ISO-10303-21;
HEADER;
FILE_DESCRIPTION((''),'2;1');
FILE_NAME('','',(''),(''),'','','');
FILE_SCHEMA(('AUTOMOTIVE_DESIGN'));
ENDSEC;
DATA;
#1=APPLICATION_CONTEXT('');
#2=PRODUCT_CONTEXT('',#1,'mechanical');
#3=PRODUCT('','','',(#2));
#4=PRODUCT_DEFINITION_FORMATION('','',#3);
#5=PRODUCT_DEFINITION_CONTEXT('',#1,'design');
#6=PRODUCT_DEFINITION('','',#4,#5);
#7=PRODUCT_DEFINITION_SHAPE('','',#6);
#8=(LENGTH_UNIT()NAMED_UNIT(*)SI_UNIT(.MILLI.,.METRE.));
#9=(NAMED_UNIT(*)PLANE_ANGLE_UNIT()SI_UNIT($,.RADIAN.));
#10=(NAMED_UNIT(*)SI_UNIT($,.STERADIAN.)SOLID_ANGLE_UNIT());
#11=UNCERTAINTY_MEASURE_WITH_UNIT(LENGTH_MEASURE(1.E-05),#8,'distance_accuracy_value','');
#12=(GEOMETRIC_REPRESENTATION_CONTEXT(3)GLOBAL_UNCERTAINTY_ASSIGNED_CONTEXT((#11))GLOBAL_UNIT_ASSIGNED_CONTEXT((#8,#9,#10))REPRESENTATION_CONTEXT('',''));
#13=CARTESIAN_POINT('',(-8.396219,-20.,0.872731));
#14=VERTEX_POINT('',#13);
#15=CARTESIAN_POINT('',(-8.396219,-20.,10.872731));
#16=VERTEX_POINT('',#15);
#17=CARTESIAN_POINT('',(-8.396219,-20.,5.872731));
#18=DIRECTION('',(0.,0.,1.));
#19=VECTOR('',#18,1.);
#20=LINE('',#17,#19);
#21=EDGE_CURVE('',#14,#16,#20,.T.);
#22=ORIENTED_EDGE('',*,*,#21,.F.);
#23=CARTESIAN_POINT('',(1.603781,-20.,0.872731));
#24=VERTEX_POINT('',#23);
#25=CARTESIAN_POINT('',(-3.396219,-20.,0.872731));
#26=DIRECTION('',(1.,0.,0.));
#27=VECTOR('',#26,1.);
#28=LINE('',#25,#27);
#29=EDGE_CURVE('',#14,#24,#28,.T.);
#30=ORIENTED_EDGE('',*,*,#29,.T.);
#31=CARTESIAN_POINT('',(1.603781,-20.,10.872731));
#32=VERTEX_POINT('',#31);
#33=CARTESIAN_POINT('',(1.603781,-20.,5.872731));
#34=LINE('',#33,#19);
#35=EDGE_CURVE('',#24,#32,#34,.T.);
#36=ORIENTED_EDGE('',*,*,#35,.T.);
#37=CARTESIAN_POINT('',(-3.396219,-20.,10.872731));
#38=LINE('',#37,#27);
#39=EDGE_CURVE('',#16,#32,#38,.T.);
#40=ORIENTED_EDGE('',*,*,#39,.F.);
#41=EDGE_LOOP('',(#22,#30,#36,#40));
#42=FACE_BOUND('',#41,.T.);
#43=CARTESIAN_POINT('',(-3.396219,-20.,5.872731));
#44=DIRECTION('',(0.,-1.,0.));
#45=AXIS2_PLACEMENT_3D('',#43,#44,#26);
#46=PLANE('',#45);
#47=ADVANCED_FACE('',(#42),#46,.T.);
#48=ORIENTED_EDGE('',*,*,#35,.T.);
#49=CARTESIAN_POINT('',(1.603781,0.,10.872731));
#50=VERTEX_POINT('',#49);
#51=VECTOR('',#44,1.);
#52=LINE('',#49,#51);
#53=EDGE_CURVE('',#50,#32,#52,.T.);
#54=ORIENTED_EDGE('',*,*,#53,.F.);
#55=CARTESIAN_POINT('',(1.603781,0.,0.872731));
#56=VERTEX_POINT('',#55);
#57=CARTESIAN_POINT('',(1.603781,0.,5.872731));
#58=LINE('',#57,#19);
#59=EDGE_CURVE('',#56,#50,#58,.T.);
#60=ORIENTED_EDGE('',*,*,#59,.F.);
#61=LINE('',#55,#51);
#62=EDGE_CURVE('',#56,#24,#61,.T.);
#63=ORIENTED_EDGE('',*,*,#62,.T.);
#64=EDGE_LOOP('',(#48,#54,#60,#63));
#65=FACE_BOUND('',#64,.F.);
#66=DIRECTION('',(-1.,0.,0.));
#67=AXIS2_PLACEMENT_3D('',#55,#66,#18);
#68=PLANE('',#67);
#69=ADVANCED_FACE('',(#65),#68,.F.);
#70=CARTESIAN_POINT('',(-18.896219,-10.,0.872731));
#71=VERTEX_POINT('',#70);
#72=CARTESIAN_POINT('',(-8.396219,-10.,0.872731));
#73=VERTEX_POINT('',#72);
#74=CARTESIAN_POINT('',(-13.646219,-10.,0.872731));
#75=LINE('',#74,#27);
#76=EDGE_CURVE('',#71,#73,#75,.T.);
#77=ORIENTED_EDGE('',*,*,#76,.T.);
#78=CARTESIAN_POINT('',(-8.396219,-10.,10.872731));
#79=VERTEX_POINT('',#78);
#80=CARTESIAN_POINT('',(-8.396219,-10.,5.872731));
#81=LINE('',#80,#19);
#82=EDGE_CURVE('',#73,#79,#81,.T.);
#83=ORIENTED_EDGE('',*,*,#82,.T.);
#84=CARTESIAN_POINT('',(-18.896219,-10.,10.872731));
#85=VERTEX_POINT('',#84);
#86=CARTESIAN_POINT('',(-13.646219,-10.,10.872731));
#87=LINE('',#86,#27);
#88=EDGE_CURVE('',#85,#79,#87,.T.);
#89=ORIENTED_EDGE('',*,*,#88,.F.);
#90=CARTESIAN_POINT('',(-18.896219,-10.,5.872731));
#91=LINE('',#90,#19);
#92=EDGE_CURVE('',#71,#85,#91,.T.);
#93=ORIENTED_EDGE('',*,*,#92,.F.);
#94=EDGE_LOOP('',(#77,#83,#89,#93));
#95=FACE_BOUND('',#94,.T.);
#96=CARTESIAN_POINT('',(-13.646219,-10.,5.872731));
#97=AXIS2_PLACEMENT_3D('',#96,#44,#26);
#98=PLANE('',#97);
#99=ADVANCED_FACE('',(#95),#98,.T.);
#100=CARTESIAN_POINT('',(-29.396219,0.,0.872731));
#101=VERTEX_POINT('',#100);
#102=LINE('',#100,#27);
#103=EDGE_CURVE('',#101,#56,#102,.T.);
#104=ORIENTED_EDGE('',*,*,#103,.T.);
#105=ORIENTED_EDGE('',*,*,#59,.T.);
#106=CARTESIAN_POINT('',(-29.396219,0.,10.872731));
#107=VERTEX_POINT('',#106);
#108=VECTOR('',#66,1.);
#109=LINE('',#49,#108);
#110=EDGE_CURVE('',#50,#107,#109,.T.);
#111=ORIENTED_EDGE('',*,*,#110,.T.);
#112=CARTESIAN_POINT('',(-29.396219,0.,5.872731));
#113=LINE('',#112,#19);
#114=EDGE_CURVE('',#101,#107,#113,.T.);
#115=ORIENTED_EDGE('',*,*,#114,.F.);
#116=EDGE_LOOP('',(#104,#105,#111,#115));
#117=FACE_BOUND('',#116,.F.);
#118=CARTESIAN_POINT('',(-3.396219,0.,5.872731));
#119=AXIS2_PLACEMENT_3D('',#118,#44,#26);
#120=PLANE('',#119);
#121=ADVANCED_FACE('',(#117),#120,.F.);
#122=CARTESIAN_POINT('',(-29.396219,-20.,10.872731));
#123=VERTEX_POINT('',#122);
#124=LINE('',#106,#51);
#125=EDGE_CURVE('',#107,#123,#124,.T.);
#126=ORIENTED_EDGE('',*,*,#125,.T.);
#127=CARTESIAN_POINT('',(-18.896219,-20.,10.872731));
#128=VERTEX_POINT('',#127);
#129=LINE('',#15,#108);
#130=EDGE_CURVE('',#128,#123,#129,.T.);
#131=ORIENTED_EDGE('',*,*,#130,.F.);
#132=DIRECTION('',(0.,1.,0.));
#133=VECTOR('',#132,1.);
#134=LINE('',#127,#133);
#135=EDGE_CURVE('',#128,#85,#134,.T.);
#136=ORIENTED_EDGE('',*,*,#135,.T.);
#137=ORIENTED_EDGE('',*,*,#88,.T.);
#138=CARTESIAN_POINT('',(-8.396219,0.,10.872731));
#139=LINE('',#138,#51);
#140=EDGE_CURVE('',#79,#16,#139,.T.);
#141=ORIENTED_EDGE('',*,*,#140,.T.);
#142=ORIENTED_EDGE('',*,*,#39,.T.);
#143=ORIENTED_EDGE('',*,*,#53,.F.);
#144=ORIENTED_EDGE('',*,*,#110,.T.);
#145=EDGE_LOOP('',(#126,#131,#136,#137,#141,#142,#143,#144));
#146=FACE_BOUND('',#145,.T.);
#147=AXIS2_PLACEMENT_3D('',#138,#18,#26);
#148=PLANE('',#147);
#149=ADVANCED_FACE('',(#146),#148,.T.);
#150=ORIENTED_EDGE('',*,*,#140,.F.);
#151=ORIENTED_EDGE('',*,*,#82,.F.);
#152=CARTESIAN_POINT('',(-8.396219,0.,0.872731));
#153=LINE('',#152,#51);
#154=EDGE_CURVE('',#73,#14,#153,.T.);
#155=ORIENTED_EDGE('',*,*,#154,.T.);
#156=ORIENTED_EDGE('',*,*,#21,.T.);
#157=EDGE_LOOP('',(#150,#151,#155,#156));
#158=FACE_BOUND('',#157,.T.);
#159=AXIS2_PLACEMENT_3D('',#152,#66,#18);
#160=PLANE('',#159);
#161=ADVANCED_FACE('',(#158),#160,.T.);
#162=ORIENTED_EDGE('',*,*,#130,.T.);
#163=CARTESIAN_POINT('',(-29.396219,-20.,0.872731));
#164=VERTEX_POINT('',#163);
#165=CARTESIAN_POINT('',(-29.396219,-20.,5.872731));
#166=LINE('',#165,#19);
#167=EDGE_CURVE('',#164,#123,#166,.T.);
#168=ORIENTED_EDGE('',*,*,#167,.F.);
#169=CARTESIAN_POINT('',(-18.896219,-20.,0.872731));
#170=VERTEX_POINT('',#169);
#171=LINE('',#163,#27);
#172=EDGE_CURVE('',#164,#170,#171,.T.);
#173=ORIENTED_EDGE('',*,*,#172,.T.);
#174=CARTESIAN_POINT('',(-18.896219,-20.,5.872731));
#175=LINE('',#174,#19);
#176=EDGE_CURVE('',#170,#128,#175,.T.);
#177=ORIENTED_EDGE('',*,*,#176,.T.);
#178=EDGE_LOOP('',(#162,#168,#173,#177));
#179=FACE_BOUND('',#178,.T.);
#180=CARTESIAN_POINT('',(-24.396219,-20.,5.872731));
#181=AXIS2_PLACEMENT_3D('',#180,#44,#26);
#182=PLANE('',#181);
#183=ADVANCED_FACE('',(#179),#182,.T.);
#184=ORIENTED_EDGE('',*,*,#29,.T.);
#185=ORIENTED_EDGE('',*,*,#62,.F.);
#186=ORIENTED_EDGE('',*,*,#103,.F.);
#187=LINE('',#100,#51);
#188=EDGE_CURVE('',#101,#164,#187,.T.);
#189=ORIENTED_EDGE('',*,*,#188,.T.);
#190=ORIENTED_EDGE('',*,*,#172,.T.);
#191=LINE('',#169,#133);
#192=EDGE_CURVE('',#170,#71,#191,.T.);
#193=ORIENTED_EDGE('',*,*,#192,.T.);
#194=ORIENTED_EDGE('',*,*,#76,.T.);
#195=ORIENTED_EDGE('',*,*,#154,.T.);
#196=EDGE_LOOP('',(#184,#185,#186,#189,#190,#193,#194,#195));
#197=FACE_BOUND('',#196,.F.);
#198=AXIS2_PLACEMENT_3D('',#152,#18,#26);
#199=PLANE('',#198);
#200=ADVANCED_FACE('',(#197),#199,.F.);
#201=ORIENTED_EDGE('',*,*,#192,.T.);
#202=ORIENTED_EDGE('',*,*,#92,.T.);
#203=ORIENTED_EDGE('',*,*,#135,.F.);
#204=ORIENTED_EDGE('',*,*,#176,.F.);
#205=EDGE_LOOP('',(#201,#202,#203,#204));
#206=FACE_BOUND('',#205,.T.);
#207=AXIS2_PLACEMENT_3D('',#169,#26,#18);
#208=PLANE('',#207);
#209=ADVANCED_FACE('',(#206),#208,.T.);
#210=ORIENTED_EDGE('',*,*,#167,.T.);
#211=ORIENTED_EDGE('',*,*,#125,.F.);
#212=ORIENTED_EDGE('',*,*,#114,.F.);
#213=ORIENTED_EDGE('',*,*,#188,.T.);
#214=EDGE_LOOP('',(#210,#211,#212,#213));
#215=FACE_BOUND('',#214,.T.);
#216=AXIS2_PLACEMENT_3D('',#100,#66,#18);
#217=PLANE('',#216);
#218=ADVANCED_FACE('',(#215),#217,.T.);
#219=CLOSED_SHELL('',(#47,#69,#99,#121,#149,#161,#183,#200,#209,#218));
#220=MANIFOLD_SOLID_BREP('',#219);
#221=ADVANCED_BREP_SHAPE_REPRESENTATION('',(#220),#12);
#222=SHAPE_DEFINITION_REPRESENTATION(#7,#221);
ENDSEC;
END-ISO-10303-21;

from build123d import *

# Parameters (mm, degrees)
F0_W     = 10
F0_H     = 10
F0_W_2   = 11
F1_DEPTH = 20
F2_W     = 10.5
F2_H     = 10
F3_DEPTH = 10
F4_DEPTH = 20


with BuildPart() as f1:
    # F0 (on Front) → F1 (new body)
    with BuildSketch(Plane.XZ):
        with Locations((-24.396219, 5.872731)):
            Rectangle(F0_W, F0_H)
        with Locations((-13.896219, 5.872731)):
            Rectangle(F0_W_2, F0_H)
    extrude(amount=F1_DEPTH)

    # F2 (on face) → F3 (cut)
    with BuildSketch(Plane.XZ.offset(20)):
        with Locations((-13.646219, 5.872731)):
            Rectangle(F2_W, F2_H)
    extrude(amount=-F3_DEPTH, mode=Mode.SUBTRACT)

    # F0 (on Front) → F4 (join)
    with BuildSketch(Plane.XZ):
        with Locations((-3.396219, 5.872731)):
            Rectangle(F0_W, F0_H)
    extrude(amount=F4_DEPTH)


solid = f1.part
